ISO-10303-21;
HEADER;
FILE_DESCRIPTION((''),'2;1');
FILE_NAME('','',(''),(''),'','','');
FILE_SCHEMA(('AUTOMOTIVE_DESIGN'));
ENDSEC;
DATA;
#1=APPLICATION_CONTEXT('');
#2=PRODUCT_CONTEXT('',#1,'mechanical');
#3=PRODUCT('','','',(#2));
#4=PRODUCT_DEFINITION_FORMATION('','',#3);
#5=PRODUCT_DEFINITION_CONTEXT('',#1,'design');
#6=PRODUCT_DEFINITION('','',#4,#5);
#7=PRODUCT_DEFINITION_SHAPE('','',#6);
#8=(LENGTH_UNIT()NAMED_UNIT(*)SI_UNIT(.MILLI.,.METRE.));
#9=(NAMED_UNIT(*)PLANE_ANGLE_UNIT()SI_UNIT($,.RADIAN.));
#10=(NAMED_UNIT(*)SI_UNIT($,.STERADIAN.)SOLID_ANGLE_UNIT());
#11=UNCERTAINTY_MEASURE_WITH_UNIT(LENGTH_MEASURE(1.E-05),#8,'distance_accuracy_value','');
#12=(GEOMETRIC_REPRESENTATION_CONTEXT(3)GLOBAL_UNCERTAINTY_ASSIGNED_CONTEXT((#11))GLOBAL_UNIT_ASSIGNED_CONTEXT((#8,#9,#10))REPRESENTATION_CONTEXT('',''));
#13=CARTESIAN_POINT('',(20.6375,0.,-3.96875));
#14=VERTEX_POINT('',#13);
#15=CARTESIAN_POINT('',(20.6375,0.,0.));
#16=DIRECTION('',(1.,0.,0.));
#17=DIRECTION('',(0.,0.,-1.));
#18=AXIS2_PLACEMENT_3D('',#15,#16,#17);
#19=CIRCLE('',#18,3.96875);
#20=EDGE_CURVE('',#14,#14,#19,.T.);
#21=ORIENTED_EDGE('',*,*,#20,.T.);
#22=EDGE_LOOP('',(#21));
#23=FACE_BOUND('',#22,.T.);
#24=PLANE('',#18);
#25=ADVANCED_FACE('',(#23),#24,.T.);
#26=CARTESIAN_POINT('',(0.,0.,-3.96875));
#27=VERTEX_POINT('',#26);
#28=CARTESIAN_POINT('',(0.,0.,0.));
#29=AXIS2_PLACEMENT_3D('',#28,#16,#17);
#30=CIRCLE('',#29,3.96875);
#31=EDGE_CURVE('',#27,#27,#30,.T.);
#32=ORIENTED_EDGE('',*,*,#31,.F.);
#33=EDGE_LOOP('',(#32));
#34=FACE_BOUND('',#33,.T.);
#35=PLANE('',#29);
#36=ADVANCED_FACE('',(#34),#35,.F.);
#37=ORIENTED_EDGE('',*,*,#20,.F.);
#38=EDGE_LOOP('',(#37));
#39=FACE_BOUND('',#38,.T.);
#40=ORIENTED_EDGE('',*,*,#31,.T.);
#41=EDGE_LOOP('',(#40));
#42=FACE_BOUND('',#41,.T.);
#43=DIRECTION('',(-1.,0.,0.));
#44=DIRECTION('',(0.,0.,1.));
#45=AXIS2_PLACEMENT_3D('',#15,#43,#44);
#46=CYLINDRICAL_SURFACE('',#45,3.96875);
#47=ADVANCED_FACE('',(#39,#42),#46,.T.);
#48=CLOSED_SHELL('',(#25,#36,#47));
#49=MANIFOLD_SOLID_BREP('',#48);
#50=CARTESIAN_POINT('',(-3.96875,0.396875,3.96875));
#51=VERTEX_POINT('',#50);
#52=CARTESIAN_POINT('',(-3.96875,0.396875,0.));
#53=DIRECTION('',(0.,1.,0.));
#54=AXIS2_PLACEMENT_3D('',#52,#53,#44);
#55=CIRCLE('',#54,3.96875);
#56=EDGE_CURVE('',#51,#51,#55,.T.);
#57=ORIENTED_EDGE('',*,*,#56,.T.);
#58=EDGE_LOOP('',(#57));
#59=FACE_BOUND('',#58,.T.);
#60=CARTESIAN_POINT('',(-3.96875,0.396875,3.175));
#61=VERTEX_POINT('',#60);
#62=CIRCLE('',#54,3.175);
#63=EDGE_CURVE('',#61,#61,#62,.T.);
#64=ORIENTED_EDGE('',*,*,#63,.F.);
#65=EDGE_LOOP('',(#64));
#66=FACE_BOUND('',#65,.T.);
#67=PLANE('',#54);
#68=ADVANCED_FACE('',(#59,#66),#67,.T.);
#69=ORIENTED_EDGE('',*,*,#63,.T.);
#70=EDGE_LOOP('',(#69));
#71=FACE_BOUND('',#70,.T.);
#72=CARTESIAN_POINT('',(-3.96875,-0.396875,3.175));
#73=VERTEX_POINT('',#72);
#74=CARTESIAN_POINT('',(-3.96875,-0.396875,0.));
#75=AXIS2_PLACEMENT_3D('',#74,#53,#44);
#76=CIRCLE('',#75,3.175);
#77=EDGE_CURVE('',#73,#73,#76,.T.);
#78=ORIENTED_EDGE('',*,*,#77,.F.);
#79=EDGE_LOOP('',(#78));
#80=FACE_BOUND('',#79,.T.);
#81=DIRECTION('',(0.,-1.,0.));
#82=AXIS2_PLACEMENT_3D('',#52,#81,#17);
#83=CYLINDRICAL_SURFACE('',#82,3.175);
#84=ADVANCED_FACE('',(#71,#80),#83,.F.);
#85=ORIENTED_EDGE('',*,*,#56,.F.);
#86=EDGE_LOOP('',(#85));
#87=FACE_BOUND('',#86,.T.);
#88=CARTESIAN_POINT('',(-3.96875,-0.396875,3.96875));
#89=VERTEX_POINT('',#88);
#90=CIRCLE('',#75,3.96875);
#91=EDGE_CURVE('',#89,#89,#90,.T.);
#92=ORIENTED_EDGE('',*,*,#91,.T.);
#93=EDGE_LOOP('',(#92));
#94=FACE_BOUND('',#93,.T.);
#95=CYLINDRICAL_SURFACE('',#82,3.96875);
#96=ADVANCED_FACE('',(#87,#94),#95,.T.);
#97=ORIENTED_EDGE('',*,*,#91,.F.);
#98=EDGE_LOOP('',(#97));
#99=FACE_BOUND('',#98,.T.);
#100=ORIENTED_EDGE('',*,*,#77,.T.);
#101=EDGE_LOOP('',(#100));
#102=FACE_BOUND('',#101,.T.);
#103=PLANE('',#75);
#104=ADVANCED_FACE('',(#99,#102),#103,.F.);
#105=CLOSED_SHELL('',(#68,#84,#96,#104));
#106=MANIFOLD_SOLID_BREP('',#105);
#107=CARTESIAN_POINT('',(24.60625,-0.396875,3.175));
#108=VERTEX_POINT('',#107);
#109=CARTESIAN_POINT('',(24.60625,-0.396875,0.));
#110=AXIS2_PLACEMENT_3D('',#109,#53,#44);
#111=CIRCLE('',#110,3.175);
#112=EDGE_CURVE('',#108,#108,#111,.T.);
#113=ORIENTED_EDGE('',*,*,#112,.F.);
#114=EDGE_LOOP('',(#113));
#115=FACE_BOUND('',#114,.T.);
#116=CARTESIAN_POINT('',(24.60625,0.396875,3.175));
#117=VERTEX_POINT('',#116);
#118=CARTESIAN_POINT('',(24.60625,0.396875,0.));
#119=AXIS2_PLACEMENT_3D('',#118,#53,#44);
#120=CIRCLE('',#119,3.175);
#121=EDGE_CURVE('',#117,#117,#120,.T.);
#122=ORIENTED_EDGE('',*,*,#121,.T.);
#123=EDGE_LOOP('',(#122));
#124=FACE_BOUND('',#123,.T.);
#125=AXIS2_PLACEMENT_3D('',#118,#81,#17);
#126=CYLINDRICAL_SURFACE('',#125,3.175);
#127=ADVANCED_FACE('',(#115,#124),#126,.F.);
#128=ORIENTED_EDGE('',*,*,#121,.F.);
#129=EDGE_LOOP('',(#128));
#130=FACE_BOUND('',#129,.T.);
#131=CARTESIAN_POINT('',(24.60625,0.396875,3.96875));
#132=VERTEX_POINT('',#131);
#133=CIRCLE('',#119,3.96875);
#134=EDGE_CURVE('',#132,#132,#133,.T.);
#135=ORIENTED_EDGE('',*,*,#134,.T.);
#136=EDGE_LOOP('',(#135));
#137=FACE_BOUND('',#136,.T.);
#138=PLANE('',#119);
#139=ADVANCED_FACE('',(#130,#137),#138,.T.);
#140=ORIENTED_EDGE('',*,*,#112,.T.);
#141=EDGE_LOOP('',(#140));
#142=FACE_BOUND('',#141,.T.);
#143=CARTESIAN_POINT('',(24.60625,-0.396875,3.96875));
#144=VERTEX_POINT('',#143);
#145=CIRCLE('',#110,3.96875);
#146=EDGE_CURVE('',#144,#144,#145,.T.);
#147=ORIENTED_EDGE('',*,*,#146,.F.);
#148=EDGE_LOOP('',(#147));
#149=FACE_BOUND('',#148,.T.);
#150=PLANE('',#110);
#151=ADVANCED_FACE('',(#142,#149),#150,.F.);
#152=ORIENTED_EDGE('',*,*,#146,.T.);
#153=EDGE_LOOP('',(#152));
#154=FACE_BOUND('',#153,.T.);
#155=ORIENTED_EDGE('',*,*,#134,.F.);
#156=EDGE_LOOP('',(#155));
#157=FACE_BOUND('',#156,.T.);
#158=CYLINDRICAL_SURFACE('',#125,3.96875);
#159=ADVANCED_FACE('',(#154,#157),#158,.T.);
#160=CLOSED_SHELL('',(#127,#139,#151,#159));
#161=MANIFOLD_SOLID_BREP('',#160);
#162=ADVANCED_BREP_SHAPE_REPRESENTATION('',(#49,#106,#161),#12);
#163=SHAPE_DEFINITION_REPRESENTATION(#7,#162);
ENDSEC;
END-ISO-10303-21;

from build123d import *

# Parameters (mm, degrees)
SKETCH1_R             = 3.96875
BOSS_EXTRUDE1_DEPTH   = 20.6375
SKETCH3_R             = 3.96875
SKETCH3_R_2           = 3.175
BOSS_EXTRUDE2_DEPTH   = 0.396875
BOSS_EXTRUDE2_2_DEPTH = 0.396875


with BuildPart() as part:
    # Sketch1 → Boss-Extrude1 (new body)
    with BuildSketch(Plane(origin=(0, 0, 0), x_dir=(0, 0, -1), z_dir=(1, 0, 0))):
        Circle(SKETCH1_R)
    extrude(amount=BOSS_EXTRUDE1_DEPTH)


with BuildPart() as body_2:
    # Sketch3 → Boss-Extrude2 (new body, symmetric)
    with BuildSketch(Plane(origin=(0, 0, 0), x_dir=(1, 0, 0), z_dir=(0, 1, 0))):
        with Locations((-3.96875, 0)):
            Circle(SKETCH3_R)
        with Locations((-3.96875, 0)):
            Circle(SKETCH3_R_2, mode=Mode.SUBTRACT)
    extrude(amount=BOSS_EXTRUDE2_DEPTH, both=True)


with BuildPart() as body_3:
    # Sketch3 → Boss-Extrude2 2 (new body, symmetric)
    with BuildSketch(Plane(origin=(0, 0, 0), x_dir=(1, 0, 0), z_dir=(0, 1, 0))):
        with Locations((24.60625, 0)):
            Circle(SKETCH3_R)
        with Locations((24.60625, 0)):
            Circle(SKETCH3_R_2, mode=Mode.SUBTRACT)
    extrude(amount=BOSS_EXTRUDE2_2_DEPTH, both=True)


solid = Compound([part.part, body_2.part, body_3.part])
